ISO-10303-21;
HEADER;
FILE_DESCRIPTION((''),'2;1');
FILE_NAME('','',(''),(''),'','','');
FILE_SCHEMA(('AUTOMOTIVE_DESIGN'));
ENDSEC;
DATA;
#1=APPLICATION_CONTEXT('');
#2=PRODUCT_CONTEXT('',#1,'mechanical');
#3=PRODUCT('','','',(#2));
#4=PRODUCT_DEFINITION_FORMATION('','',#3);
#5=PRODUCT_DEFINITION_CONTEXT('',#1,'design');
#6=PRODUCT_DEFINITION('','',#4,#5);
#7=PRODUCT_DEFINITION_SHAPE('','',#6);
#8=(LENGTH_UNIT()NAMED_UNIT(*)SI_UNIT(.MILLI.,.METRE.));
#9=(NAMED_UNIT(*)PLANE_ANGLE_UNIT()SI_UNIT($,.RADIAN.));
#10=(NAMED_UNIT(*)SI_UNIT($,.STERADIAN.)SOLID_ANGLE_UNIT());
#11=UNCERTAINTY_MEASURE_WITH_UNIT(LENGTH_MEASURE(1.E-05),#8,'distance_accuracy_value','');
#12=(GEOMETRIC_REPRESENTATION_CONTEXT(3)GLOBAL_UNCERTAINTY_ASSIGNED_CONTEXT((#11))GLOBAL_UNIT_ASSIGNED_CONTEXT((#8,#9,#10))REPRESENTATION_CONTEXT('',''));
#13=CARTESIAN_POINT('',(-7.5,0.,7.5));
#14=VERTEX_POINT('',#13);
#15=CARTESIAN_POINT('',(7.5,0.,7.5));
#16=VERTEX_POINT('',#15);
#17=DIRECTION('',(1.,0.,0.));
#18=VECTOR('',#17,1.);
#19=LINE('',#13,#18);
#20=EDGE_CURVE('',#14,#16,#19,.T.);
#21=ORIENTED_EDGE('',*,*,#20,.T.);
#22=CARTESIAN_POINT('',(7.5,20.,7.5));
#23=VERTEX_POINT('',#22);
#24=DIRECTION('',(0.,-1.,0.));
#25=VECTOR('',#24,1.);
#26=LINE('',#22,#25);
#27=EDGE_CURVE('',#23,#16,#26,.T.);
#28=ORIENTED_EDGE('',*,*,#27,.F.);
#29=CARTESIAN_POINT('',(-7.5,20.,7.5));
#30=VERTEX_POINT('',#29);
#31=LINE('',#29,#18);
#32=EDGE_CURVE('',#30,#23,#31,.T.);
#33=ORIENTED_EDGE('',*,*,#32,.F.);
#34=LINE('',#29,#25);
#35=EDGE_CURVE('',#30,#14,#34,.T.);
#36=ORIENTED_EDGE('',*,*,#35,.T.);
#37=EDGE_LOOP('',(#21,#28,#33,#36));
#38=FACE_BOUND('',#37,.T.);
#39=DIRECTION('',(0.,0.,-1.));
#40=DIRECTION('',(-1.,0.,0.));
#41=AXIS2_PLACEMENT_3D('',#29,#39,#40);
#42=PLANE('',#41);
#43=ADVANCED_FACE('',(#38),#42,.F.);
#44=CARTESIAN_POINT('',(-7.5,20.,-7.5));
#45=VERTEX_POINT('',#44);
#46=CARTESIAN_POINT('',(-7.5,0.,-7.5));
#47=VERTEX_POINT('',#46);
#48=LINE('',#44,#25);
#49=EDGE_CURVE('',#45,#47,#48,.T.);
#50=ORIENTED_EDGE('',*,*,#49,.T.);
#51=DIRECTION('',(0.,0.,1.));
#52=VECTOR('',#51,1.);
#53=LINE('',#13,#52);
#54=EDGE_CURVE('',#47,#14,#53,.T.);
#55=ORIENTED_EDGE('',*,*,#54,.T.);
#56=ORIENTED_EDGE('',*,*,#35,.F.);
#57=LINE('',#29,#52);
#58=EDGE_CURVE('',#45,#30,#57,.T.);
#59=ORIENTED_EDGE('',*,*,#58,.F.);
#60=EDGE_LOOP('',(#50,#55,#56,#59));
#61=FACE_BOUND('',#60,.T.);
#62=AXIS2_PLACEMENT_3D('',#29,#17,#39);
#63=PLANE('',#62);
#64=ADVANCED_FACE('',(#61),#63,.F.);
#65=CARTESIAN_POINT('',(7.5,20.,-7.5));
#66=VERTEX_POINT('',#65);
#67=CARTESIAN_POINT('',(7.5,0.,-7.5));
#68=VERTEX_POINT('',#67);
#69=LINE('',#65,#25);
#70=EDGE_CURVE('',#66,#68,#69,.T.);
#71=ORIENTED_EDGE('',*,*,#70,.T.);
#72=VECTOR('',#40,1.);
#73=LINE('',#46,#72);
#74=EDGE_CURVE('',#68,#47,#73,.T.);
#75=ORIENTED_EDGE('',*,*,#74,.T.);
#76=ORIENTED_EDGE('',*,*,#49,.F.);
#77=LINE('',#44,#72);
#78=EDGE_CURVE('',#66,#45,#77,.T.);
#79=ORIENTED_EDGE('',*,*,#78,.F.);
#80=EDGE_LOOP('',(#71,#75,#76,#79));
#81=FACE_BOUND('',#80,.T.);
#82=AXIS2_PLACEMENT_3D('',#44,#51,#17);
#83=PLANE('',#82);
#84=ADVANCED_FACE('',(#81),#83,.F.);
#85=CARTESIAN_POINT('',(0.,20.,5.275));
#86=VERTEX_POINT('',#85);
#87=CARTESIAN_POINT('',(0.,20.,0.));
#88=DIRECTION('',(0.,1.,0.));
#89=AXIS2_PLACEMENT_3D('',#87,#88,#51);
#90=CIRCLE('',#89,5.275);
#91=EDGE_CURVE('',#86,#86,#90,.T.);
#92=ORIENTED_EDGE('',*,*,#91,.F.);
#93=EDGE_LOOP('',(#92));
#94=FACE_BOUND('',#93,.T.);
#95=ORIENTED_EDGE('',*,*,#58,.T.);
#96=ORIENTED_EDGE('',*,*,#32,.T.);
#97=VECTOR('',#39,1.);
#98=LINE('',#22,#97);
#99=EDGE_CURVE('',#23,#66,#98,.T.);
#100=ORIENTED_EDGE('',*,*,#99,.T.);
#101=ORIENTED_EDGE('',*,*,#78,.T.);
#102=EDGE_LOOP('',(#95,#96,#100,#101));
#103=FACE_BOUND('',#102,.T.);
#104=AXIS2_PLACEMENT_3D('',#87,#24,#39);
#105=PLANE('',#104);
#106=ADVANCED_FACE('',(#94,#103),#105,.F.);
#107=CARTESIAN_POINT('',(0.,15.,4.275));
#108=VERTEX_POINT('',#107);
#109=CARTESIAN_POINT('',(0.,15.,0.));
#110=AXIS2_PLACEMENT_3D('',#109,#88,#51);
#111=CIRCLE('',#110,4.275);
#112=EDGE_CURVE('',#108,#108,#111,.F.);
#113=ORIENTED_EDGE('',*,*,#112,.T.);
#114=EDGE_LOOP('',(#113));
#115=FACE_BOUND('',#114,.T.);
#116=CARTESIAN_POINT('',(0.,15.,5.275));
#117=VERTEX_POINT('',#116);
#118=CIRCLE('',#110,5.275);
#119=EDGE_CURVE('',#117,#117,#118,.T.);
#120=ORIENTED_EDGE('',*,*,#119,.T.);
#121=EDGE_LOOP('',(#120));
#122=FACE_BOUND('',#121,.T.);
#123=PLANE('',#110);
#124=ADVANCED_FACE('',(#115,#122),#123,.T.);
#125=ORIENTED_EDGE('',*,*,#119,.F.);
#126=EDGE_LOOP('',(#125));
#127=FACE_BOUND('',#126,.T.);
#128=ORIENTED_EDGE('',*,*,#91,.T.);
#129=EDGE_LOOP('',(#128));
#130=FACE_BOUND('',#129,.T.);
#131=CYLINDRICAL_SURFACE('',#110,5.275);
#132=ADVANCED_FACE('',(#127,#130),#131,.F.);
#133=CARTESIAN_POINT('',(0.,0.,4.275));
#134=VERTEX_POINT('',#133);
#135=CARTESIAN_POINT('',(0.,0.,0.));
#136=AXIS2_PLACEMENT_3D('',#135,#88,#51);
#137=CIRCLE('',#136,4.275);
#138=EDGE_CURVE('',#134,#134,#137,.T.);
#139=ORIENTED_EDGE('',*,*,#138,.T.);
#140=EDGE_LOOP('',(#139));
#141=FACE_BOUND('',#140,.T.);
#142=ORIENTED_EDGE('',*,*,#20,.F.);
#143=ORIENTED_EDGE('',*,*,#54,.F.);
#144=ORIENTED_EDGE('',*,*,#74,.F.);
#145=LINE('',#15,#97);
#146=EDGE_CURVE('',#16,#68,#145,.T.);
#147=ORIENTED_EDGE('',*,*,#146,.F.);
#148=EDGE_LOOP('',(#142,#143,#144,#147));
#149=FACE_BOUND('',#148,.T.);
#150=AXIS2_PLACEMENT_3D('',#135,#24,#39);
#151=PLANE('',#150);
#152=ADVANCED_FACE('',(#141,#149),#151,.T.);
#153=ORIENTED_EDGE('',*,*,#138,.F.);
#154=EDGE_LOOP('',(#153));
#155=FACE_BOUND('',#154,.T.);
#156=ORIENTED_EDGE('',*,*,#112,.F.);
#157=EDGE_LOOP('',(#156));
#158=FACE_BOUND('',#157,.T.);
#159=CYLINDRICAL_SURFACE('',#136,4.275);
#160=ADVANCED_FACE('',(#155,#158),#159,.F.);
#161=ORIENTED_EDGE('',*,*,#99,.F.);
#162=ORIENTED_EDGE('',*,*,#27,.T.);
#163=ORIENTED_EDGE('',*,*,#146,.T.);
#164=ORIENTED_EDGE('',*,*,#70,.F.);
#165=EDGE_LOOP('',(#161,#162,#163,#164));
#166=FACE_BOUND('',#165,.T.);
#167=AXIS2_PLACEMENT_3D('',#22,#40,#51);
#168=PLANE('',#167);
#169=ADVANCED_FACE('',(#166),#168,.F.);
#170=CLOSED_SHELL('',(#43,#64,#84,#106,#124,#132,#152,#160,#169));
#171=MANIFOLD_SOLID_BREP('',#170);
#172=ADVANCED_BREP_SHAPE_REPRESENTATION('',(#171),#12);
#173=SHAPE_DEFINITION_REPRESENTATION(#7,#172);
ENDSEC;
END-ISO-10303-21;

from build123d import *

# Parameters (mm, degrees)
SKETCH1_W           = 15
SKETCH1_H           = 15
BOSS_EXTRUDE1_DEPTH = 20
SKETCH2_R           = 4.275
CUT_EXTRUDE1_DEPTH  = 20
SKETCH3_R           = 5.275
CUT_EXTRUDE2_DEPTH  = 5


with BuildPart() as part:
    # Sketch1 → Boss-Extrude1 (new body)
    with BuildSketch(Plane(origin=(0, 0, 0), x_dir=(1, 0, 0), z_dir=(0, 1, 0))):
        Rectangle(SKETCH1_W, SKETCH1_H)
    extrude(amount=BOSS_EXTRUDE1_DEPTH)

    # Sketch2 → Cut-Extrude1 (cut)
    with BuildSketch(Plane(origin=(0, 20, 0), x_dir=(1, 0, 0), z_dir=(0, 1, 0))):
        with Locations(Location((0, 0, 0), (0, 0, 270))):
            Circle(SKETCH2_R)
    extrude(amount=-CUT_EXTRUDE1_DEPTH, mode=Mode.SUBTRACT)

    # Sketch3 → Cut-Extrude2 (cut)
    with BuildSketch(Plane(origin=(0, 20, 0), x_dir=(1, 0, 0), z_dir=(0, 1, 0))):
        with Locations(Location((0, 0, 0), (0, 0, 270))):
            Circle(SKETCH3_R)
    extrude(amount=-CUT_EXTRUDE2_DEPTH, mode=Mode.SUBTRACT)


solid = part.part
